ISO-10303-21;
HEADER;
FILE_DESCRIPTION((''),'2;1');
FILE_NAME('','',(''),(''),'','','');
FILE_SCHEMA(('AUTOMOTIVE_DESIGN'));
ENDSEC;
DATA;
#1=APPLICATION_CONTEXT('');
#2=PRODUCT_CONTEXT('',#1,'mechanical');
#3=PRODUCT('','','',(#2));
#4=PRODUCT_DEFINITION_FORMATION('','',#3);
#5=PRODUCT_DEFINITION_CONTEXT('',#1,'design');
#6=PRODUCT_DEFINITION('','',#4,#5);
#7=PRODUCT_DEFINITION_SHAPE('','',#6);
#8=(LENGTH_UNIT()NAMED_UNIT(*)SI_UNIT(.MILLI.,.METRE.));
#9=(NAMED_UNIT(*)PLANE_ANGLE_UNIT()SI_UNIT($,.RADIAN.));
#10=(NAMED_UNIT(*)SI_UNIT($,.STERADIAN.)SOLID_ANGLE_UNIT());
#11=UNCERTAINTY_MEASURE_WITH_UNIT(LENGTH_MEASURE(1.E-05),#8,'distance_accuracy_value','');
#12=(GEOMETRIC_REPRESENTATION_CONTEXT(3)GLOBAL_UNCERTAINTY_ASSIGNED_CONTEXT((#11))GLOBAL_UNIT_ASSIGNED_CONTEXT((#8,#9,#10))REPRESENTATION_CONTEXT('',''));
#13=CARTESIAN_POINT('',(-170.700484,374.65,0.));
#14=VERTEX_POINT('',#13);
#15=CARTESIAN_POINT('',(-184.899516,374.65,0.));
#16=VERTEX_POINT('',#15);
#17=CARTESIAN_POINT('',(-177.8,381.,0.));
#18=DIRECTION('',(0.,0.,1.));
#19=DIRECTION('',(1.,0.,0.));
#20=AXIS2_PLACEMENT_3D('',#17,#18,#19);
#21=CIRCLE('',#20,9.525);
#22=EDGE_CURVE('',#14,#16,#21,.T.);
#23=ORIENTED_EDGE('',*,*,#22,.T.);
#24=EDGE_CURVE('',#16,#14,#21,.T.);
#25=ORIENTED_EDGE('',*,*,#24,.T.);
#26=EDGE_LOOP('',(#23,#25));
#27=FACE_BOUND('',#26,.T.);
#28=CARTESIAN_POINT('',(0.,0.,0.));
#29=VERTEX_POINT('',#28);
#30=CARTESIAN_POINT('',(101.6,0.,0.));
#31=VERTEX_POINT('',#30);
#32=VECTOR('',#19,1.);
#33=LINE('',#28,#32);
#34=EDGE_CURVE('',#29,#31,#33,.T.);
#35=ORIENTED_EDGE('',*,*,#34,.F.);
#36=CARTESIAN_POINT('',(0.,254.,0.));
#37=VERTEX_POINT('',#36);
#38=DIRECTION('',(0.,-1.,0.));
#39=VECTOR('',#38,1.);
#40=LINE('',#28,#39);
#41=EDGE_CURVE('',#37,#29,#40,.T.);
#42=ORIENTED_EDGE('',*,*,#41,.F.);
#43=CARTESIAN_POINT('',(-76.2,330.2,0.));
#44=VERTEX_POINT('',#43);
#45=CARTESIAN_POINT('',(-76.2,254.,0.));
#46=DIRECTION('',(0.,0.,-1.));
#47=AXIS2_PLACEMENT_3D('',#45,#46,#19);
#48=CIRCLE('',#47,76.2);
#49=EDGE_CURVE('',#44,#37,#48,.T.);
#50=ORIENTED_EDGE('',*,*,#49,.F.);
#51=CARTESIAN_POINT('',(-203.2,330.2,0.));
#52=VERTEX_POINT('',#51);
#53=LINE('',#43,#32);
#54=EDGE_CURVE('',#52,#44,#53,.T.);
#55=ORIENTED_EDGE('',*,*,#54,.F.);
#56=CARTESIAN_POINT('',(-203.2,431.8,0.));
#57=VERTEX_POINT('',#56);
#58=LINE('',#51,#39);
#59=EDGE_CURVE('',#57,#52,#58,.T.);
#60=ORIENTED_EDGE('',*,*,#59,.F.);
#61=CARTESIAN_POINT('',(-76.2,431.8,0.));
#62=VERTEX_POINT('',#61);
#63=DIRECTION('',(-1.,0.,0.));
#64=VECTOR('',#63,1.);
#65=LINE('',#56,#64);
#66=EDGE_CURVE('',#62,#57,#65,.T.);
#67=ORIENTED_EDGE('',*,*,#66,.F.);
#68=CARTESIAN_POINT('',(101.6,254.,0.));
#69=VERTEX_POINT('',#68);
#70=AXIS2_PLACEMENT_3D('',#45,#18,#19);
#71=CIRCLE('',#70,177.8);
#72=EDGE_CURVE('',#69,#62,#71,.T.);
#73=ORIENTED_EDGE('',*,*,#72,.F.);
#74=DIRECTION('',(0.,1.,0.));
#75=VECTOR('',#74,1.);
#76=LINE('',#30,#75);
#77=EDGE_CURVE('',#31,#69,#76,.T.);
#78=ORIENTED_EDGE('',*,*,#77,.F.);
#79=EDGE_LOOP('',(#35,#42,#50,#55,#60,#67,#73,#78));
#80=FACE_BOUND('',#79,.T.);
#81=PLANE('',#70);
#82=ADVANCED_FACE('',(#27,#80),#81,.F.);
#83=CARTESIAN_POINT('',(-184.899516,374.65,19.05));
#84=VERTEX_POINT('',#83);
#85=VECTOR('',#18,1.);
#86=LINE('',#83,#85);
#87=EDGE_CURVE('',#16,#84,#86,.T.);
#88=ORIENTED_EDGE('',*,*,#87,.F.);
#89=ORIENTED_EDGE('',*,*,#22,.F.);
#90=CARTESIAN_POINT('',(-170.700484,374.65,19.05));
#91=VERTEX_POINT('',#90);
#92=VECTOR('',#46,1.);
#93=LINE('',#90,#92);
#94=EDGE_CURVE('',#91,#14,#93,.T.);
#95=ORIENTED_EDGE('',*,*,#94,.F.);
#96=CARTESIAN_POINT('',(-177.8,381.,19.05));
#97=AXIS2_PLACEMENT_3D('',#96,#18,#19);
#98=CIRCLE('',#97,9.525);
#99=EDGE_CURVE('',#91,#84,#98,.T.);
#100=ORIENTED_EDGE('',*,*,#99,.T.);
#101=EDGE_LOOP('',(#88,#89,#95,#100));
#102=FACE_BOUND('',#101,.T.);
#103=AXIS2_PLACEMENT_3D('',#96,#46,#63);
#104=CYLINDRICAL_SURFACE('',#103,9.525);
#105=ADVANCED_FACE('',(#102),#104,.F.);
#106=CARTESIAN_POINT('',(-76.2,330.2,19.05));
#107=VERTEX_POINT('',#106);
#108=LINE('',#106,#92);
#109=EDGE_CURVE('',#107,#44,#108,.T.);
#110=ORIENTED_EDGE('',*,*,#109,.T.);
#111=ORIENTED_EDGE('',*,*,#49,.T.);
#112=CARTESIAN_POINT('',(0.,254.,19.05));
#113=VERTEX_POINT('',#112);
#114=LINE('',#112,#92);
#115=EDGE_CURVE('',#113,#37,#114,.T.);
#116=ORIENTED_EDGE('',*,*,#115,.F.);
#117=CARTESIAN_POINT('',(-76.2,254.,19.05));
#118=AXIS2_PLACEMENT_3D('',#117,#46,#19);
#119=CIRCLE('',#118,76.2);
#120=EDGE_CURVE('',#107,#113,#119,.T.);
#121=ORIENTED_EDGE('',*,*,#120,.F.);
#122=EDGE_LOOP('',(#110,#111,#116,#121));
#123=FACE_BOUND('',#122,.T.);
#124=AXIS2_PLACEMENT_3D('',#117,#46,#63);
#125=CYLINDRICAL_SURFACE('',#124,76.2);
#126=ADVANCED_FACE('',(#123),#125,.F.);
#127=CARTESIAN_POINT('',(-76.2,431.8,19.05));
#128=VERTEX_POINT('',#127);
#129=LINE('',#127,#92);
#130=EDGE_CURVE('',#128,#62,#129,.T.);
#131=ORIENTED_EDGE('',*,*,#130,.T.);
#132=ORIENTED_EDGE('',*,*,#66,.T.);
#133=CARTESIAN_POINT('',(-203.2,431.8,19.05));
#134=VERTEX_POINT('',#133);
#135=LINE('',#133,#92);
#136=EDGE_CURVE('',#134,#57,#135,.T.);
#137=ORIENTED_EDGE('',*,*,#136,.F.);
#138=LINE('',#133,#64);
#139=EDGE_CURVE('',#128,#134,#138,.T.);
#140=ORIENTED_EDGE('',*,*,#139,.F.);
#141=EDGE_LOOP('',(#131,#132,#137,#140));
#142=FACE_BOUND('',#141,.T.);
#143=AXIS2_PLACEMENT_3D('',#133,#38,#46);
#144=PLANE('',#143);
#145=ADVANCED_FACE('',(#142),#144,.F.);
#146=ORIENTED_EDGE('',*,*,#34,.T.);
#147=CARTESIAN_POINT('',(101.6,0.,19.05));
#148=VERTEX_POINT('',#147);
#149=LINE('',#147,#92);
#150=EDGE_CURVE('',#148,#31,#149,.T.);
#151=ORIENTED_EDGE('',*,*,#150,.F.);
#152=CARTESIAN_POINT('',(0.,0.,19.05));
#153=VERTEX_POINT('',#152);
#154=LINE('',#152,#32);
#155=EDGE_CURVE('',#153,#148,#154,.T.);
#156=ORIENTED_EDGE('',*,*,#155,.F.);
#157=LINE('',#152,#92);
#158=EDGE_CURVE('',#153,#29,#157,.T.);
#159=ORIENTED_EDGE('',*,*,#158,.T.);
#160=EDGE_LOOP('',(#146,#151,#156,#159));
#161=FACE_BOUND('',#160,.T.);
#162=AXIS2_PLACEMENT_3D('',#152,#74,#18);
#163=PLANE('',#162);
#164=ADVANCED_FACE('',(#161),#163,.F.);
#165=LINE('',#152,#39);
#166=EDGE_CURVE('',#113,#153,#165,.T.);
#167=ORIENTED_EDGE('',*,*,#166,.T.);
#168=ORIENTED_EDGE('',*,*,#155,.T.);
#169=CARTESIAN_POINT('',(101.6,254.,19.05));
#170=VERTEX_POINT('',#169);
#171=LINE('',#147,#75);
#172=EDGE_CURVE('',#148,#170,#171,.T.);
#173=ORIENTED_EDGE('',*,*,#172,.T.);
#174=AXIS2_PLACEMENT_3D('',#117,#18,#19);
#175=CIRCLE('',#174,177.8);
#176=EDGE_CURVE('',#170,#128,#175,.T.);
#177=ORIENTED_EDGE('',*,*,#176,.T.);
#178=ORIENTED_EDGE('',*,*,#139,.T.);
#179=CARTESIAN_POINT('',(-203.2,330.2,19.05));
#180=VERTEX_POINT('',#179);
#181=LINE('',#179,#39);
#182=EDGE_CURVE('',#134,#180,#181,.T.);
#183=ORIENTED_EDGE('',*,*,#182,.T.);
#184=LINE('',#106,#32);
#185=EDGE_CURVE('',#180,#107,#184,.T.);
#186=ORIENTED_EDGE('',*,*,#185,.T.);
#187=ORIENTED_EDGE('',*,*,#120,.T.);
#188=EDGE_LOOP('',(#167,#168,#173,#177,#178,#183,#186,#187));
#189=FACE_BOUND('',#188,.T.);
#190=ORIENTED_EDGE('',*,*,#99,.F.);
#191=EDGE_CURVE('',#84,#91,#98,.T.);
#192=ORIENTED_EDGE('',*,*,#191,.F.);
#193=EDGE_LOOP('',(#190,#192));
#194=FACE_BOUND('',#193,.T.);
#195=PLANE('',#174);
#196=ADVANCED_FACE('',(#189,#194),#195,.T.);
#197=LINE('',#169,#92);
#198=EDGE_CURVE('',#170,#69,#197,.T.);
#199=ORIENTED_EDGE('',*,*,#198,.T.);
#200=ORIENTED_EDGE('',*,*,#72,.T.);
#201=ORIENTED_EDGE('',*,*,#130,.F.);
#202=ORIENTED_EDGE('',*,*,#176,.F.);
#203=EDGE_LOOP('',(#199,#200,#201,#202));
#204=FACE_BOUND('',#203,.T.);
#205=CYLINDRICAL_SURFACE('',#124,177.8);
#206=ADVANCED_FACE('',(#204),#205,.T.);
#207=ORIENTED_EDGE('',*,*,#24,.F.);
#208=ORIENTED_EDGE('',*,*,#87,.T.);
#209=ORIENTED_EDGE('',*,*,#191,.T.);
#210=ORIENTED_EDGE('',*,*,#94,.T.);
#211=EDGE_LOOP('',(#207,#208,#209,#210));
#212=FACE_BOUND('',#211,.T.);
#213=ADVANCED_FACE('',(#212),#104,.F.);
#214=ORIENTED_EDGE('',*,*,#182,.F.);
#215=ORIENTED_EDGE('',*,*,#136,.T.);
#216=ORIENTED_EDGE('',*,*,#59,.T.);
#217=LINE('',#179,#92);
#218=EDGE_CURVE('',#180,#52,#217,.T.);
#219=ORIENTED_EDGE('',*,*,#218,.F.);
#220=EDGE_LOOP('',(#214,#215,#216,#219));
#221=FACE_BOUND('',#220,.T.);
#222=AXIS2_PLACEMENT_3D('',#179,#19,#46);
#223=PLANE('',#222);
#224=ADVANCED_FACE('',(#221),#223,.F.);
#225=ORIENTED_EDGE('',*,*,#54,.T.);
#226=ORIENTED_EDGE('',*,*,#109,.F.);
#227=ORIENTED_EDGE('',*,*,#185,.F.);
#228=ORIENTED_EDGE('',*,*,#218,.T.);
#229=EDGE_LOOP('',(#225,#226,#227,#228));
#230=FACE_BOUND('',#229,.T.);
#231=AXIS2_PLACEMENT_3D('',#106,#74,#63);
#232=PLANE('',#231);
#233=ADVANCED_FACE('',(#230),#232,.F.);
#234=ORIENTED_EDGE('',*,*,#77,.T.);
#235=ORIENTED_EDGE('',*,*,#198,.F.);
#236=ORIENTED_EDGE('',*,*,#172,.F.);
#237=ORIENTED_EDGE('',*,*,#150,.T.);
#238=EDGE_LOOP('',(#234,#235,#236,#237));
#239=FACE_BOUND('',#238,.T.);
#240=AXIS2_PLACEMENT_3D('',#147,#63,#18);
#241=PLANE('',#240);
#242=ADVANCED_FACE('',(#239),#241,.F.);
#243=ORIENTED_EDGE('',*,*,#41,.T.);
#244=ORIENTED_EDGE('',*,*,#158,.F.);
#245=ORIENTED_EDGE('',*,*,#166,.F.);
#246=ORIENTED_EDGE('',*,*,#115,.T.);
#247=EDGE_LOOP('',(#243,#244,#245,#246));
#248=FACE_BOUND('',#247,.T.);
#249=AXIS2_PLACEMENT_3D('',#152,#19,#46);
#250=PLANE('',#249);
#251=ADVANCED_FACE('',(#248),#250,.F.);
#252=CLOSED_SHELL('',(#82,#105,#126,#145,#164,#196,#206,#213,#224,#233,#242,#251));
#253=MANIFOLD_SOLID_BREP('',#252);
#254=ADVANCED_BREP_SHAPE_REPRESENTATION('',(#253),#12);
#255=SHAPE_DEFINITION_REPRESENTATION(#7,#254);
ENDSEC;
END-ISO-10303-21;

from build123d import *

# Parameters (mm, degrees)
SKETCH3_R      = 9.525
EXTRUDE1_DEPTH = 19.05


with BuildPart() as part:
    # Sketch3 → Extrude1 (new body)
    with BuildSketch(Plane.XY):
        with BuildLine():
            Line((0, 0), (101.6, 0))
            Line((101.6, 0), (101.6, 254))
            ThreePointArc((101.6, 254), (49.523585695, 379.723585695), (-76.2, 431.8))
            Line((-76.2, 431.8), (-203.2, 431.8))
            Line((-203.2, 431.8), (-203.2, 330.2))
            Line((-203.2, 330.2), (-76.2, 330.2))
            ThreePointArc((-76.2, 330.2), (-22.318463274, 307.881536726), (0, 254))
            Line((0, 254), (0, 0))
        make_face()
        with Locations((-177.8, 381)):
            Circle(SKETCH3_R, mode=Mode.SUBTRACT)
    extrude(amount=EXTRUDE1_DEPTH)


solid = part.part
